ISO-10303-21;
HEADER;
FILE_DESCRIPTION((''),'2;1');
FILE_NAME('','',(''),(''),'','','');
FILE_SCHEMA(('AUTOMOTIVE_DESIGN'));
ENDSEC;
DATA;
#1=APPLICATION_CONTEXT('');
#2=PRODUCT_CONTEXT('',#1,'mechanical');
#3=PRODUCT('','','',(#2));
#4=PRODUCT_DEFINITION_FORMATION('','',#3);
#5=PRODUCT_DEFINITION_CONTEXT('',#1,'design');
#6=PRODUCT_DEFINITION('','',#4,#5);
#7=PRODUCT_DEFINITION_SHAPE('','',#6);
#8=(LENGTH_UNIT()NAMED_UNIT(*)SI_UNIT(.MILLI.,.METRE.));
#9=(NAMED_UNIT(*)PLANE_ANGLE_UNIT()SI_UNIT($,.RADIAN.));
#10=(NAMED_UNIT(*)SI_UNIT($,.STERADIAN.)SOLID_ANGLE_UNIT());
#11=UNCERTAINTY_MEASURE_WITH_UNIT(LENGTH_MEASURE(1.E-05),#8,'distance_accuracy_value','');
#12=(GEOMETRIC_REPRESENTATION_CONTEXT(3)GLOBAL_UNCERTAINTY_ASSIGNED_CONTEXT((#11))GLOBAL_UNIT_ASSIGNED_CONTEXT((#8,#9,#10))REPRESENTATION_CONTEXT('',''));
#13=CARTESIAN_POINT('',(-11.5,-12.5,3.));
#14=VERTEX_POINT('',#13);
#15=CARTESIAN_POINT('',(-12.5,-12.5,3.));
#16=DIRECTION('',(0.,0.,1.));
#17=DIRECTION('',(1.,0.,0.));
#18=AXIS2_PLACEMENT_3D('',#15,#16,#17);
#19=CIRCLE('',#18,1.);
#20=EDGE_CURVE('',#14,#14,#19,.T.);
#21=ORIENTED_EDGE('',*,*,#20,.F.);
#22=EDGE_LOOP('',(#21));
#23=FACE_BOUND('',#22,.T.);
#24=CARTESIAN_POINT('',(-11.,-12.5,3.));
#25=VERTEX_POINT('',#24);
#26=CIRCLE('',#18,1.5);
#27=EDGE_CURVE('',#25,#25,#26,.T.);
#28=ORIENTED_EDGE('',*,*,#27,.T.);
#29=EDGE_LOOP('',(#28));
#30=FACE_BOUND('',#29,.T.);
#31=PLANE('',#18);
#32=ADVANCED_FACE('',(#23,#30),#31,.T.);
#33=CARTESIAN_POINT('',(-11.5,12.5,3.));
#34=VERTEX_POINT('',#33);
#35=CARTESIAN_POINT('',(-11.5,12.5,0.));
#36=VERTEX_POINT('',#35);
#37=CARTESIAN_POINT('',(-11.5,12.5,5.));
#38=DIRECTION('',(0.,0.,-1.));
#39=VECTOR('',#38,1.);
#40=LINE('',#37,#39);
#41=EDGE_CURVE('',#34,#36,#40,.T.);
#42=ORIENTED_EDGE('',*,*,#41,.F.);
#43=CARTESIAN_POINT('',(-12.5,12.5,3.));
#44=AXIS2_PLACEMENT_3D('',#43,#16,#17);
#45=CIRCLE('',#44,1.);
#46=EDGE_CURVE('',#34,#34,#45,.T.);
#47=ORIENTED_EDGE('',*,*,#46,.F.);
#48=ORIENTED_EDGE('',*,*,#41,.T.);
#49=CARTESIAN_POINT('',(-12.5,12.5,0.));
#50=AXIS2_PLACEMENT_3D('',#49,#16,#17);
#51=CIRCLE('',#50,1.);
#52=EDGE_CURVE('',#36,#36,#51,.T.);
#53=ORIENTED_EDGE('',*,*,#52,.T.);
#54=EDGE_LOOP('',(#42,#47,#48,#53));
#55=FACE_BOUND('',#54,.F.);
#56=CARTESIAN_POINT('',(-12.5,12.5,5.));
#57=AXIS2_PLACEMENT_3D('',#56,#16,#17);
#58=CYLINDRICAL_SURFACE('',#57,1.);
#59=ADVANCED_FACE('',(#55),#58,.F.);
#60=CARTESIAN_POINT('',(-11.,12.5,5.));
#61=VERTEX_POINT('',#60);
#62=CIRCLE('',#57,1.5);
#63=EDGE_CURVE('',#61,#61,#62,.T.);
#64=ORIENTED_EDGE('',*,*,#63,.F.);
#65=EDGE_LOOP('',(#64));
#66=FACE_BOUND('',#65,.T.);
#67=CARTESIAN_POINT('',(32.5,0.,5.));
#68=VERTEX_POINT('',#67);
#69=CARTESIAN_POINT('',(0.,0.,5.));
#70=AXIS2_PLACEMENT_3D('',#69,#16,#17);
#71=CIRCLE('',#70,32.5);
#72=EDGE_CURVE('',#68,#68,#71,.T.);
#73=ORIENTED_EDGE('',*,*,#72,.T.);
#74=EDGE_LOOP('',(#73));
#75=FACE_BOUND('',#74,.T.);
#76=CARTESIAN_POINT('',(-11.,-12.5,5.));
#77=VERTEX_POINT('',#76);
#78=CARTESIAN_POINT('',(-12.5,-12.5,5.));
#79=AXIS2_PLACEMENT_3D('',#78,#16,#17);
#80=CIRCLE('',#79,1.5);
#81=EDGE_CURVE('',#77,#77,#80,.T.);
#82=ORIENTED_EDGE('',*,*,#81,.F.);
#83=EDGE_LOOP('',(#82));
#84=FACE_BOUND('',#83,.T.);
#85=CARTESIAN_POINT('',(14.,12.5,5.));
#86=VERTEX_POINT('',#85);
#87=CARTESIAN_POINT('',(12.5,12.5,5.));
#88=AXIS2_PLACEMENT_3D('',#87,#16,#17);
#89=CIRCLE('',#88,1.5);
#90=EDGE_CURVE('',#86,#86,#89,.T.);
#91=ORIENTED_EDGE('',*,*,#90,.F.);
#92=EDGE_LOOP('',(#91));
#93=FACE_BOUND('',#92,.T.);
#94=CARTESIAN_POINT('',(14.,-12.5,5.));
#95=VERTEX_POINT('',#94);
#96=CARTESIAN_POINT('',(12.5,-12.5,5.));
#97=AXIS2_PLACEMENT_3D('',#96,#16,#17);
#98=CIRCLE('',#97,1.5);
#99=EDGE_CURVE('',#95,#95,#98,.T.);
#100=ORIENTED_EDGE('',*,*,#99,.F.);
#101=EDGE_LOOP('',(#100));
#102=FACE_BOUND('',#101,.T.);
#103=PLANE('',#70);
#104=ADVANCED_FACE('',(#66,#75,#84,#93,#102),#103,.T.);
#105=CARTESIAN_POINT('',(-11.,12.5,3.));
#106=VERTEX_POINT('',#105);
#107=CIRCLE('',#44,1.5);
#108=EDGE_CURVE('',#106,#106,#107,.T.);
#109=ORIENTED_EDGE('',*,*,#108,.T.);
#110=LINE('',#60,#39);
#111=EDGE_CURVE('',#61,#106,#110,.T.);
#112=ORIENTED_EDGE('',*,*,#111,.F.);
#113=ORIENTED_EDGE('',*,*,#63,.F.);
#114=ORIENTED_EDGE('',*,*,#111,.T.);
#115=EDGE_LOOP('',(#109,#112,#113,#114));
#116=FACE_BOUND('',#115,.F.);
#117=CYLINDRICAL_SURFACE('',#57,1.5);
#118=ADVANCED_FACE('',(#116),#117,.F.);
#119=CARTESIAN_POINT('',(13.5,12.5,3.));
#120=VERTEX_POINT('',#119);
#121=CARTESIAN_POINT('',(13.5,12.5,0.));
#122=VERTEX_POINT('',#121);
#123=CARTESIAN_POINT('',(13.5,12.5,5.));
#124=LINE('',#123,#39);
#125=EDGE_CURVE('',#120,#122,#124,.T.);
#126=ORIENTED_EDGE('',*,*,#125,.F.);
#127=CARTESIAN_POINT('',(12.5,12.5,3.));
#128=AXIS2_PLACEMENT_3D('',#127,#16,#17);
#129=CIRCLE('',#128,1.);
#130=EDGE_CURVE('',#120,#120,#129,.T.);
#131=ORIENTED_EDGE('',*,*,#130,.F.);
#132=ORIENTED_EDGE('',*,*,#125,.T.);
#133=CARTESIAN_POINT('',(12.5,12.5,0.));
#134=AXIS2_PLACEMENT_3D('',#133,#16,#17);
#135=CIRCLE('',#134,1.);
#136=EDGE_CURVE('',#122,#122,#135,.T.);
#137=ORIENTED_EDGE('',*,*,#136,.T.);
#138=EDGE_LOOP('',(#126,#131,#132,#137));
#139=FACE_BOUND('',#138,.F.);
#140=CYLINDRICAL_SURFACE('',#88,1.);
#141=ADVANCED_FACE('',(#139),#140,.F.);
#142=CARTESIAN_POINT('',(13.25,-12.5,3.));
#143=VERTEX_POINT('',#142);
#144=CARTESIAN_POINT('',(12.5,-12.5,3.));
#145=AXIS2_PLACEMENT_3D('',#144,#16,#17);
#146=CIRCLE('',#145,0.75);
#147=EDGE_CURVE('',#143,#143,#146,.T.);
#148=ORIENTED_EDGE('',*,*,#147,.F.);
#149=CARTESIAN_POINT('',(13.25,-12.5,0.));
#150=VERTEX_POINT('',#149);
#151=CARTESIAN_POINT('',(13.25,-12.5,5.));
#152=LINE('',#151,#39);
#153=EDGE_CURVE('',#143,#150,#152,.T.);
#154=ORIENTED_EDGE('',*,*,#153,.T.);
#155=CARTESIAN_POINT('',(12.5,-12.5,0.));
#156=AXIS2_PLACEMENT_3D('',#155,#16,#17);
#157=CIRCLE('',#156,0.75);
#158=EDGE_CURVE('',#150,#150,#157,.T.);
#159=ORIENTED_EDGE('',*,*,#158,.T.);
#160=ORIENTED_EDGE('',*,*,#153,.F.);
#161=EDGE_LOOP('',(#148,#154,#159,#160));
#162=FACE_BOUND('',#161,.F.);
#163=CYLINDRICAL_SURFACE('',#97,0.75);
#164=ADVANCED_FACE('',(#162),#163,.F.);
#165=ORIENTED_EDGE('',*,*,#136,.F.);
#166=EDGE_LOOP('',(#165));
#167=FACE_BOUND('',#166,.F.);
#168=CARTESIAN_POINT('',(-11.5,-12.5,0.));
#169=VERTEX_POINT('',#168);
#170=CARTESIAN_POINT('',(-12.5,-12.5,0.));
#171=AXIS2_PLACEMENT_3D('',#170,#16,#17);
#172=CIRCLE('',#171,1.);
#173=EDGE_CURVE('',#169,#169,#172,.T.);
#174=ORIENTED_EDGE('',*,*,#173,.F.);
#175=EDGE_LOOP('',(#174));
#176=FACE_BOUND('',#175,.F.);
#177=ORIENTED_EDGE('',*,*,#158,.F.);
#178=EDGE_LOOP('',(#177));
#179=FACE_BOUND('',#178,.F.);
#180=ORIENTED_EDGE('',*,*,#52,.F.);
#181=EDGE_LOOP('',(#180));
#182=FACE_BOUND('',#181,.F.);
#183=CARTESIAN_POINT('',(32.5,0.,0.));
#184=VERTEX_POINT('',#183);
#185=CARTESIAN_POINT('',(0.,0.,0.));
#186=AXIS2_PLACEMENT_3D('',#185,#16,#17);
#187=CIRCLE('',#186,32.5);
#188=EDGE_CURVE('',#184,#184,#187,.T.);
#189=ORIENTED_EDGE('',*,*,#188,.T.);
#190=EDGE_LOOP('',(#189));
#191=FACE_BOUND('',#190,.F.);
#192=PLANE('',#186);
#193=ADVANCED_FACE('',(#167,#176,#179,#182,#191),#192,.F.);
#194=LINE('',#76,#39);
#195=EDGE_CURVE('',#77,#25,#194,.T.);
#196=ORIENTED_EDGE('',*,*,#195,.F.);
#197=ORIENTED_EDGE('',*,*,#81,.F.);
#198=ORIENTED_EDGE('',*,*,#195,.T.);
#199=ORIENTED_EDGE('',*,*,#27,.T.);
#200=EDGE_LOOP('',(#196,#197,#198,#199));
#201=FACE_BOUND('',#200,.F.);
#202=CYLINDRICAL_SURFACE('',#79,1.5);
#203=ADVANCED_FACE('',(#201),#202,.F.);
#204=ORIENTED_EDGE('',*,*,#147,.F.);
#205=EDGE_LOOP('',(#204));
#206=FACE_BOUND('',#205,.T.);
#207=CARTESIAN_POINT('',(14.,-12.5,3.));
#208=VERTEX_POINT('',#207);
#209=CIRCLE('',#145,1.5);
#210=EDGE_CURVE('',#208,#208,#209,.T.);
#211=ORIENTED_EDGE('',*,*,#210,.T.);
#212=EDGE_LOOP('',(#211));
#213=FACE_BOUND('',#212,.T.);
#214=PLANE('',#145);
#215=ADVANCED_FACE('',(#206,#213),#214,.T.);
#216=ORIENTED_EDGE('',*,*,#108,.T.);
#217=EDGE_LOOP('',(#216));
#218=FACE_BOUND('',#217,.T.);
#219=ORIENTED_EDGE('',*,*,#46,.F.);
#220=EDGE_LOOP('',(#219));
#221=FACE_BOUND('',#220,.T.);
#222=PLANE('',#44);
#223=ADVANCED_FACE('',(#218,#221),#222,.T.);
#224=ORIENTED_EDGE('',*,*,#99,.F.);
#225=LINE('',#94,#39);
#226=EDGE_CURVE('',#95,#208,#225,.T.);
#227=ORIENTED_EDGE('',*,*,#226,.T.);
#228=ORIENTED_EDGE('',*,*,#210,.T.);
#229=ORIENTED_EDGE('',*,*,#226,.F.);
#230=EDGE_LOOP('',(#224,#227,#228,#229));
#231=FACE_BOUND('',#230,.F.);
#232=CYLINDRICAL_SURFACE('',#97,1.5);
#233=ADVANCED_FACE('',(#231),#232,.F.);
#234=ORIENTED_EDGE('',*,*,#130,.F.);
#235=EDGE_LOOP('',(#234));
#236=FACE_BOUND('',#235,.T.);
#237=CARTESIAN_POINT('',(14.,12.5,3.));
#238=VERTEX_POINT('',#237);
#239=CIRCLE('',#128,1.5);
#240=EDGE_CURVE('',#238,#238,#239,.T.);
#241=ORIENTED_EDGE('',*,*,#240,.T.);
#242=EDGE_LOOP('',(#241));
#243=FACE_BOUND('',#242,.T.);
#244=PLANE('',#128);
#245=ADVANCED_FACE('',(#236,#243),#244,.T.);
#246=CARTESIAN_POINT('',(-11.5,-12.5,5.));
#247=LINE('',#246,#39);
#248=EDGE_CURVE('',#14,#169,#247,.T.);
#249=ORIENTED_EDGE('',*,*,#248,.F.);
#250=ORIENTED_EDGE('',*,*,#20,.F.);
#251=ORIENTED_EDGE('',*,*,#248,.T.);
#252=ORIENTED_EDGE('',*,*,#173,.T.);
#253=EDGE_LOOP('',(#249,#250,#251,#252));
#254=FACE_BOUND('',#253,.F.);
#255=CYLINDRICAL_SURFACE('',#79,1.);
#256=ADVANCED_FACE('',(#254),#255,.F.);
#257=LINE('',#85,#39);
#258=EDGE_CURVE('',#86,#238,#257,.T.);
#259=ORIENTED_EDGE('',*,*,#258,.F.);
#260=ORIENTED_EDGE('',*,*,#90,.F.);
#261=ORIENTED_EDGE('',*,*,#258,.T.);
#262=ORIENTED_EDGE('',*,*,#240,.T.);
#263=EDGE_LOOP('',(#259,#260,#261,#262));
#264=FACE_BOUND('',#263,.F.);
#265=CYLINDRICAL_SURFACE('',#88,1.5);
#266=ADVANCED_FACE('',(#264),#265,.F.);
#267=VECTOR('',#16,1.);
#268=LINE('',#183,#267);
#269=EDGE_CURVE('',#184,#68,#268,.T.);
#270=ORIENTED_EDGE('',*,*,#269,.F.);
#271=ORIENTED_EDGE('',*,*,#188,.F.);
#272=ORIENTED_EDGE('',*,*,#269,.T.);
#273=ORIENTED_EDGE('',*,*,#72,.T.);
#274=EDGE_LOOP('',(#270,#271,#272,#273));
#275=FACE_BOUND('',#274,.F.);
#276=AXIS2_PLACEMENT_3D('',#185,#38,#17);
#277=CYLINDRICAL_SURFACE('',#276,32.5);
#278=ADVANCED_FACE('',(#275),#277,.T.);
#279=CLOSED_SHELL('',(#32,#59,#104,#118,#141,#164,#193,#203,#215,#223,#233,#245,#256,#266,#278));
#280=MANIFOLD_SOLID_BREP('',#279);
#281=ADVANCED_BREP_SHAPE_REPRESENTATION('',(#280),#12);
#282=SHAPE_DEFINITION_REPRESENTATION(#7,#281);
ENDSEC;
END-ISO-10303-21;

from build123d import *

# Parameters (mm, degrees)
F0_R     = 32.5
F1_DEPTH = 5
F4_R     = 0.75
F4_R_2   = 1
F5_DEPTH = 5
F3_R     = 1.5
F6_DEPTH = 2


with BuildPart() as f1:
    # F0 (on Top) → F1 (new body)
    with BuildSketch(Plane.XY):
        Circle(F0_R)
    extrude(amount=F1_DEPTH)

    # F4 (on face) → F5 (cut)
    with BuildSketch(Plane.XY.offset(5)):
        with Locations((12.5, -12.5)):
            Circle(F4_R)
        with Locations((-12.5, 12.5)):
            Circle(F4_R_2)
        with Locations((-12.5, -12.5)):
            Circle(F4_R_2)
        with Locations((12.5, 12.5)):
            Circle(F4_R_2)
    extrude(amount=-F5_DEPTH, mode=Mode.SUBTRACT)

    # F3 (on face) → F6 (cut)
    with BuildSketch(Plane.XY.offset(5)):
        with Locations((12.5, 12.5)):
            Circle(F3_R)
        with Locations((12.5, -12.5)):
            Circle(F3_R)
        with Locations((-12.5, -12.5)):
            Circle(F3_R)
        with Locations((-12.5, 12.5)):
            Circle(F3_R)
    extrude(amount=-F6_DEPTH, mode=Mode.SUBTRACT)


solid = f1.part
